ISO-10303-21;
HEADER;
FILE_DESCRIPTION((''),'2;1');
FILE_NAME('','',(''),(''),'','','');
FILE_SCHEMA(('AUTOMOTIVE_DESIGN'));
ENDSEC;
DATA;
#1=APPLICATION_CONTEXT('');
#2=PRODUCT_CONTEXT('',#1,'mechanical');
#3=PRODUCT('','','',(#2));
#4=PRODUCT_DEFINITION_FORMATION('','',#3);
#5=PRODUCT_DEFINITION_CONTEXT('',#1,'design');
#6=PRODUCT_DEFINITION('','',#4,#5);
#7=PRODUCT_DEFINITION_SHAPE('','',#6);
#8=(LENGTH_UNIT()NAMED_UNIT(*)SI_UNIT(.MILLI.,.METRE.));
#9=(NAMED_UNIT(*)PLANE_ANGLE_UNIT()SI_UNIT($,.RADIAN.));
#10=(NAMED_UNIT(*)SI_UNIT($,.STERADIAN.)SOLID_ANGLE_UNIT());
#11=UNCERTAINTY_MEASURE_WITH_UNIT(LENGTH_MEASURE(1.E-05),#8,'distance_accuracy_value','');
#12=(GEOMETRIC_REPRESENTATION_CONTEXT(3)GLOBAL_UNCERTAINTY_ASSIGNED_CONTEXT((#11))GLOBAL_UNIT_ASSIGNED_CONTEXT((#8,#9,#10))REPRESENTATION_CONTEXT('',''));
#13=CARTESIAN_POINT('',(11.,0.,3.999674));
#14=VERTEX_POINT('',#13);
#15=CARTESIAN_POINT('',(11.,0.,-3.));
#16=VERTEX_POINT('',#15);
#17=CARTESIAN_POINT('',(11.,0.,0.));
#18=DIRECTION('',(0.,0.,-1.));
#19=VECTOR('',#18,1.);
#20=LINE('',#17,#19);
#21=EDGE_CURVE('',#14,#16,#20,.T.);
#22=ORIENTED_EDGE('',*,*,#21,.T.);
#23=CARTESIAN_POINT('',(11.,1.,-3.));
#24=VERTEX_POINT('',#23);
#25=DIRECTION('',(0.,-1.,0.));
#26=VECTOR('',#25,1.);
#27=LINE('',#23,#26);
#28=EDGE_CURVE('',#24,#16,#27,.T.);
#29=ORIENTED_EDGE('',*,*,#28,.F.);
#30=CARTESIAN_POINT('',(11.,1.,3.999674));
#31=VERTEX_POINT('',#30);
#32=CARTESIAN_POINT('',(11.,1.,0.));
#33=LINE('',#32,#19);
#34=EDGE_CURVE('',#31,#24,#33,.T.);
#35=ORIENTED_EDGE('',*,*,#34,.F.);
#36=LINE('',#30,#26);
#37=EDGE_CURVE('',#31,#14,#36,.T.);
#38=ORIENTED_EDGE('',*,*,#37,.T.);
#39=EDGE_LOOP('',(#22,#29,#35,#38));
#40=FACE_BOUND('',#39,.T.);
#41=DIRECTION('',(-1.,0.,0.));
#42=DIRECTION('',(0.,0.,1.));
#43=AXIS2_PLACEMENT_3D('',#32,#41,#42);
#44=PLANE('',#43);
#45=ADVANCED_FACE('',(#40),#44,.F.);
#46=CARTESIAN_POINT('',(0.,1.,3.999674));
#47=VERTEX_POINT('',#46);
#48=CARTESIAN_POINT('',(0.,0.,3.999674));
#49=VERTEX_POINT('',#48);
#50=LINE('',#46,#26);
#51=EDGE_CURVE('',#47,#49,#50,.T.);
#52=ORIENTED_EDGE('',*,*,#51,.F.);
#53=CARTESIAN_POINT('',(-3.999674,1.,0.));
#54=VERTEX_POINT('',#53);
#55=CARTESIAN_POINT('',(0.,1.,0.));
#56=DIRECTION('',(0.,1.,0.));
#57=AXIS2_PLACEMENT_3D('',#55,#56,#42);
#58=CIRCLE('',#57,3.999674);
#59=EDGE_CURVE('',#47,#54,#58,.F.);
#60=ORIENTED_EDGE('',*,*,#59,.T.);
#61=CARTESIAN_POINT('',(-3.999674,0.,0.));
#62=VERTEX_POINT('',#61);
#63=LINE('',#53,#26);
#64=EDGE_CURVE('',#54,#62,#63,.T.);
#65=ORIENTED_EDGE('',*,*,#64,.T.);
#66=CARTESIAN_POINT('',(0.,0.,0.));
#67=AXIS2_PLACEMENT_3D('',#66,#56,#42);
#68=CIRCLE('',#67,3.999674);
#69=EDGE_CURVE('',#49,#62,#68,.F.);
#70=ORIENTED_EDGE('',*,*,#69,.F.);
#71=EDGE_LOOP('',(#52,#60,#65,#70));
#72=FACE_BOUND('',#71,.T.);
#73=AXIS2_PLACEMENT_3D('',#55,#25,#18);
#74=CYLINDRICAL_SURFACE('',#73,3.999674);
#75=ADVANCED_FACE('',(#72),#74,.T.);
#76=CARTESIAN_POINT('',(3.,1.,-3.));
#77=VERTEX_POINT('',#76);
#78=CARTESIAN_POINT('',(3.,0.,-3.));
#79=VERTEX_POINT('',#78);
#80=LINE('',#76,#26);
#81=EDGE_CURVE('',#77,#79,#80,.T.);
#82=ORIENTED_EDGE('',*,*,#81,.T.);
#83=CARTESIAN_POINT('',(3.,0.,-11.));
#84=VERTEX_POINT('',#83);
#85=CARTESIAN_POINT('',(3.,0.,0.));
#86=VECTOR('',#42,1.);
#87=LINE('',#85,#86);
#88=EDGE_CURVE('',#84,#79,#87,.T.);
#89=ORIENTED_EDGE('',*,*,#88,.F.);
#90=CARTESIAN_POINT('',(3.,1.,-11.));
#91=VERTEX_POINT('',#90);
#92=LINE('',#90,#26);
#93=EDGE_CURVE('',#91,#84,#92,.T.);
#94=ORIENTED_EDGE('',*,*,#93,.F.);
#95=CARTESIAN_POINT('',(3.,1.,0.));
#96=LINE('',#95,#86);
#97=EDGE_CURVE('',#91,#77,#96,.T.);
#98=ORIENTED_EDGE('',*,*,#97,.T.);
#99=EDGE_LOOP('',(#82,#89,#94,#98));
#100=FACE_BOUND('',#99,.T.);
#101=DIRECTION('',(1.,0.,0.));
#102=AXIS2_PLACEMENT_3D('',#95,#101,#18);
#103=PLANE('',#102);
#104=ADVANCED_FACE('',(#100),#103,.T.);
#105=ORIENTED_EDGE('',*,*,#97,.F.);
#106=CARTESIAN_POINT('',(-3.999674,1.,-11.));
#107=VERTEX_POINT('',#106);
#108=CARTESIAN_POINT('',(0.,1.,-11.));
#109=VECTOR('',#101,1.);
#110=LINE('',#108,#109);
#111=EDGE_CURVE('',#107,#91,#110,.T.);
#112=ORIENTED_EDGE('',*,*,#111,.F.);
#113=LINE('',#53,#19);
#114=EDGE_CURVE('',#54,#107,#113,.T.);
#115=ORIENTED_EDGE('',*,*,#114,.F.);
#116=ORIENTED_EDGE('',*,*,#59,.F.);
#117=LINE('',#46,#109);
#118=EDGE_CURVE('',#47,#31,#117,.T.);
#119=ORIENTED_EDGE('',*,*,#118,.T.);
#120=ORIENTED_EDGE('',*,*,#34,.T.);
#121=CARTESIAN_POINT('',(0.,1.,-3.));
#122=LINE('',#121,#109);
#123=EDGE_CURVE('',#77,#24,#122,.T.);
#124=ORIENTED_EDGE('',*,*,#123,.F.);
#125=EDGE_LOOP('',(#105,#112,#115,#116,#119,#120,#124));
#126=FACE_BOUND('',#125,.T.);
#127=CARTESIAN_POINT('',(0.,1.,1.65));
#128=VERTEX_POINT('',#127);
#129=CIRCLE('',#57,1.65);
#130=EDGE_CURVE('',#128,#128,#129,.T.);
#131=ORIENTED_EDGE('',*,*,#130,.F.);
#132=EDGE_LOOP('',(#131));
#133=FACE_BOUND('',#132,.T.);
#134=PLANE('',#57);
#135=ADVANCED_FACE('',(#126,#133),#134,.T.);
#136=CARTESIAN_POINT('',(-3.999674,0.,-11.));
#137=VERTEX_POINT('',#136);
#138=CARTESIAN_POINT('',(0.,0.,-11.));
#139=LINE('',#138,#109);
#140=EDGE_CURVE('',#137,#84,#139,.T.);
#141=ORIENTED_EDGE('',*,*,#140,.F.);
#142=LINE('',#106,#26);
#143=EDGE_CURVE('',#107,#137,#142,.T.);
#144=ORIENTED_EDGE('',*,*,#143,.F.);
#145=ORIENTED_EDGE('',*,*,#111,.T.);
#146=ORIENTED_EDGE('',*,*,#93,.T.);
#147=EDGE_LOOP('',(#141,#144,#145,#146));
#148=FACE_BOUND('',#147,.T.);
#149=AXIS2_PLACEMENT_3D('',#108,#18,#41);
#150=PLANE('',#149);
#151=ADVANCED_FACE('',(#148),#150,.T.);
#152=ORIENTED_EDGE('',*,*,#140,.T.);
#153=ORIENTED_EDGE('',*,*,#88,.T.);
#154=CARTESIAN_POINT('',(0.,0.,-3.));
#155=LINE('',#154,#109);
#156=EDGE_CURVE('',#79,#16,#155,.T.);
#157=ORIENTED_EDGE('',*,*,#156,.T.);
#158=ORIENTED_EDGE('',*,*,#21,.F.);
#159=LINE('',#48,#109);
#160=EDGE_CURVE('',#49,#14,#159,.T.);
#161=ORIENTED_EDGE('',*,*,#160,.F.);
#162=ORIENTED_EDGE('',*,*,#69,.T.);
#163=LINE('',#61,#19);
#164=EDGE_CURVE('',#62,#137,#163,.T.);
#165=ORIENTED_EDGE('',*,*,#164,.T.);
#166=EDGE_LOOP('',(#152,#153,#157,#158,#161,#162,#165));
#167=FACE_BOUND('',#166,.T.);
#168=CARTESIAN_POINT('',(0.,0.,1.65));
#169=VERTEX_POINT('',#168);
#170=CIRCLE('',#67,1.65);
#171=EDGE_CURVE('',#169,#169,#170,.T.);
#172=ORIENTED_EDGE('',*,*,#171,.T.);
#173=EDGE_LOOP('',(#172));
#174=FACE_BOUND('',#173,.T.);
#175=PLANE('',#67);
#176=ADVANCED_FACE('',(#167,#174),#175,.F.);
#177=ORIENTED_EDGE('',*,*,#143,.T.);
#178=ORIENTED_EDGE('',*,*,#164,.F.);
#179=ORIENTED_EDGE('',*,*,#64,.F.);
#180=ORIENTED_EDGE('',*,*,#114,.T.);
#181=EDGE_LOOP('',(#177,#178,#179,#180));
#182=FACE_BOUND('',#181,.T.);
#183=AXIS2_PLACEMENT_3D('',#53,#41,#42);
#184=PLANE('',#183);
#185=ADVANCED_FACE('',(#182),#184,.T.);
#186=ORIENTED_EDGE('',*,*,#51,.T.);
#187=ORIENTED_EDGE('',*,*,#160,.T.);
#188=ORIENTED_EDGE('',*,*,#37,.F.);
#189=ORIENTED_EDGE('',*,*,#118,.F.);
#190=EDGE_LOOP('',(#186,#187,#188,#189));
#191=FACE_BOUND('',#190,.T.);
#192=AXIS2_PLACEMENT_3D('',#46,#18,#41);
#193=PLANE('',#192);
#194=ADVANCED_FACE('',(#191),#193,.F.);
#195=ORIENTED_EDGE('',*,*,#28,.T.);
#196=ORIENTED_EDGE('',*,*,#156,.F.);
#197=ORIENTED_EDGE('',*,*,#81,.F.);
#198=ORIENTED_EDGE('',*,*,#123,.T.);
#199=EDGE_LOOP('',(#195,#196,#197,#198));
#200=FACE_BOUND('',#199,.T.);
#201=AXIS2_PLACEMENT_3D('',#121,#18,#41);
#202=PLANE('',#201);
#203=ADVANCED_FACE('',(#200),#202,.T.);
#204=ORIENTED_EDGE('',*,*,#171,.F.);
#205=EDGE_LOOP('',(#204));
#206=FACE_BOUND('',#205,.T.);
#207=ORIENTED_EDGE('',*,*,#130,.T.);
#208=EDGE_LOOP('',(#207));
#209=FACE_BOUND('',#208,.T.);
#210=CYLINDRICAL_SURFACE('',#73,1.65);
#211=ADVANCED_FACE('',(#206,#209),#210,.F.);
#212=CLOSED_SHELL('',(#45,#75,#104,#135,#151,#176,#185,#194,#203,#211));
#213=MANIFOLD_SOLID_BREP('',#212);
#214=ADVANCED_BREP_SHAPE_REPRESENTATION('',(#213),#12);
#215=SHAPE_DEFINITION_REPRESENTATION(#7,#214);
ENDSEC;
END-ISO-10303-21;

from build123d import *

# Parameters (mm, degrees)
SKETCH1_R           = 1.65
BOSS_EXTRUDE1_DEPTH = 1


with BuildPart() as part:
    # Sketch1 → Boss-Extrude1 (new body)
    with BuildSketch(Plane(origin=(0, 0, 0), x_dir=(1, 0, 0), z_dir=(0, 1, 0))):
        with BuildLine():
            Line((11, -3.99967418), (11, 3))
            Line((11, 3), (3, 3))
            Line((3, 3), (3, 11))
            Line((3, 11), (-3.99967418, 11))
            Line((-3.99967418, 11), (-3.99967418, 0))
            ThreePointArc((-3.99967418, 0), (-2.828196736, -2.828196736), (0, -3.99967418))
            Line((0, -3.99967418), (11, -3.99967418))
        make_face()
        with Locations(Location((0, 0, 0), (0, 0, 270))):
            Circle(SKETCH1_R, mode=Mode.SUBTRACT)
    extrude(amount=BOSS_EXTRUDE1_DEPTH)


solid = part.part
